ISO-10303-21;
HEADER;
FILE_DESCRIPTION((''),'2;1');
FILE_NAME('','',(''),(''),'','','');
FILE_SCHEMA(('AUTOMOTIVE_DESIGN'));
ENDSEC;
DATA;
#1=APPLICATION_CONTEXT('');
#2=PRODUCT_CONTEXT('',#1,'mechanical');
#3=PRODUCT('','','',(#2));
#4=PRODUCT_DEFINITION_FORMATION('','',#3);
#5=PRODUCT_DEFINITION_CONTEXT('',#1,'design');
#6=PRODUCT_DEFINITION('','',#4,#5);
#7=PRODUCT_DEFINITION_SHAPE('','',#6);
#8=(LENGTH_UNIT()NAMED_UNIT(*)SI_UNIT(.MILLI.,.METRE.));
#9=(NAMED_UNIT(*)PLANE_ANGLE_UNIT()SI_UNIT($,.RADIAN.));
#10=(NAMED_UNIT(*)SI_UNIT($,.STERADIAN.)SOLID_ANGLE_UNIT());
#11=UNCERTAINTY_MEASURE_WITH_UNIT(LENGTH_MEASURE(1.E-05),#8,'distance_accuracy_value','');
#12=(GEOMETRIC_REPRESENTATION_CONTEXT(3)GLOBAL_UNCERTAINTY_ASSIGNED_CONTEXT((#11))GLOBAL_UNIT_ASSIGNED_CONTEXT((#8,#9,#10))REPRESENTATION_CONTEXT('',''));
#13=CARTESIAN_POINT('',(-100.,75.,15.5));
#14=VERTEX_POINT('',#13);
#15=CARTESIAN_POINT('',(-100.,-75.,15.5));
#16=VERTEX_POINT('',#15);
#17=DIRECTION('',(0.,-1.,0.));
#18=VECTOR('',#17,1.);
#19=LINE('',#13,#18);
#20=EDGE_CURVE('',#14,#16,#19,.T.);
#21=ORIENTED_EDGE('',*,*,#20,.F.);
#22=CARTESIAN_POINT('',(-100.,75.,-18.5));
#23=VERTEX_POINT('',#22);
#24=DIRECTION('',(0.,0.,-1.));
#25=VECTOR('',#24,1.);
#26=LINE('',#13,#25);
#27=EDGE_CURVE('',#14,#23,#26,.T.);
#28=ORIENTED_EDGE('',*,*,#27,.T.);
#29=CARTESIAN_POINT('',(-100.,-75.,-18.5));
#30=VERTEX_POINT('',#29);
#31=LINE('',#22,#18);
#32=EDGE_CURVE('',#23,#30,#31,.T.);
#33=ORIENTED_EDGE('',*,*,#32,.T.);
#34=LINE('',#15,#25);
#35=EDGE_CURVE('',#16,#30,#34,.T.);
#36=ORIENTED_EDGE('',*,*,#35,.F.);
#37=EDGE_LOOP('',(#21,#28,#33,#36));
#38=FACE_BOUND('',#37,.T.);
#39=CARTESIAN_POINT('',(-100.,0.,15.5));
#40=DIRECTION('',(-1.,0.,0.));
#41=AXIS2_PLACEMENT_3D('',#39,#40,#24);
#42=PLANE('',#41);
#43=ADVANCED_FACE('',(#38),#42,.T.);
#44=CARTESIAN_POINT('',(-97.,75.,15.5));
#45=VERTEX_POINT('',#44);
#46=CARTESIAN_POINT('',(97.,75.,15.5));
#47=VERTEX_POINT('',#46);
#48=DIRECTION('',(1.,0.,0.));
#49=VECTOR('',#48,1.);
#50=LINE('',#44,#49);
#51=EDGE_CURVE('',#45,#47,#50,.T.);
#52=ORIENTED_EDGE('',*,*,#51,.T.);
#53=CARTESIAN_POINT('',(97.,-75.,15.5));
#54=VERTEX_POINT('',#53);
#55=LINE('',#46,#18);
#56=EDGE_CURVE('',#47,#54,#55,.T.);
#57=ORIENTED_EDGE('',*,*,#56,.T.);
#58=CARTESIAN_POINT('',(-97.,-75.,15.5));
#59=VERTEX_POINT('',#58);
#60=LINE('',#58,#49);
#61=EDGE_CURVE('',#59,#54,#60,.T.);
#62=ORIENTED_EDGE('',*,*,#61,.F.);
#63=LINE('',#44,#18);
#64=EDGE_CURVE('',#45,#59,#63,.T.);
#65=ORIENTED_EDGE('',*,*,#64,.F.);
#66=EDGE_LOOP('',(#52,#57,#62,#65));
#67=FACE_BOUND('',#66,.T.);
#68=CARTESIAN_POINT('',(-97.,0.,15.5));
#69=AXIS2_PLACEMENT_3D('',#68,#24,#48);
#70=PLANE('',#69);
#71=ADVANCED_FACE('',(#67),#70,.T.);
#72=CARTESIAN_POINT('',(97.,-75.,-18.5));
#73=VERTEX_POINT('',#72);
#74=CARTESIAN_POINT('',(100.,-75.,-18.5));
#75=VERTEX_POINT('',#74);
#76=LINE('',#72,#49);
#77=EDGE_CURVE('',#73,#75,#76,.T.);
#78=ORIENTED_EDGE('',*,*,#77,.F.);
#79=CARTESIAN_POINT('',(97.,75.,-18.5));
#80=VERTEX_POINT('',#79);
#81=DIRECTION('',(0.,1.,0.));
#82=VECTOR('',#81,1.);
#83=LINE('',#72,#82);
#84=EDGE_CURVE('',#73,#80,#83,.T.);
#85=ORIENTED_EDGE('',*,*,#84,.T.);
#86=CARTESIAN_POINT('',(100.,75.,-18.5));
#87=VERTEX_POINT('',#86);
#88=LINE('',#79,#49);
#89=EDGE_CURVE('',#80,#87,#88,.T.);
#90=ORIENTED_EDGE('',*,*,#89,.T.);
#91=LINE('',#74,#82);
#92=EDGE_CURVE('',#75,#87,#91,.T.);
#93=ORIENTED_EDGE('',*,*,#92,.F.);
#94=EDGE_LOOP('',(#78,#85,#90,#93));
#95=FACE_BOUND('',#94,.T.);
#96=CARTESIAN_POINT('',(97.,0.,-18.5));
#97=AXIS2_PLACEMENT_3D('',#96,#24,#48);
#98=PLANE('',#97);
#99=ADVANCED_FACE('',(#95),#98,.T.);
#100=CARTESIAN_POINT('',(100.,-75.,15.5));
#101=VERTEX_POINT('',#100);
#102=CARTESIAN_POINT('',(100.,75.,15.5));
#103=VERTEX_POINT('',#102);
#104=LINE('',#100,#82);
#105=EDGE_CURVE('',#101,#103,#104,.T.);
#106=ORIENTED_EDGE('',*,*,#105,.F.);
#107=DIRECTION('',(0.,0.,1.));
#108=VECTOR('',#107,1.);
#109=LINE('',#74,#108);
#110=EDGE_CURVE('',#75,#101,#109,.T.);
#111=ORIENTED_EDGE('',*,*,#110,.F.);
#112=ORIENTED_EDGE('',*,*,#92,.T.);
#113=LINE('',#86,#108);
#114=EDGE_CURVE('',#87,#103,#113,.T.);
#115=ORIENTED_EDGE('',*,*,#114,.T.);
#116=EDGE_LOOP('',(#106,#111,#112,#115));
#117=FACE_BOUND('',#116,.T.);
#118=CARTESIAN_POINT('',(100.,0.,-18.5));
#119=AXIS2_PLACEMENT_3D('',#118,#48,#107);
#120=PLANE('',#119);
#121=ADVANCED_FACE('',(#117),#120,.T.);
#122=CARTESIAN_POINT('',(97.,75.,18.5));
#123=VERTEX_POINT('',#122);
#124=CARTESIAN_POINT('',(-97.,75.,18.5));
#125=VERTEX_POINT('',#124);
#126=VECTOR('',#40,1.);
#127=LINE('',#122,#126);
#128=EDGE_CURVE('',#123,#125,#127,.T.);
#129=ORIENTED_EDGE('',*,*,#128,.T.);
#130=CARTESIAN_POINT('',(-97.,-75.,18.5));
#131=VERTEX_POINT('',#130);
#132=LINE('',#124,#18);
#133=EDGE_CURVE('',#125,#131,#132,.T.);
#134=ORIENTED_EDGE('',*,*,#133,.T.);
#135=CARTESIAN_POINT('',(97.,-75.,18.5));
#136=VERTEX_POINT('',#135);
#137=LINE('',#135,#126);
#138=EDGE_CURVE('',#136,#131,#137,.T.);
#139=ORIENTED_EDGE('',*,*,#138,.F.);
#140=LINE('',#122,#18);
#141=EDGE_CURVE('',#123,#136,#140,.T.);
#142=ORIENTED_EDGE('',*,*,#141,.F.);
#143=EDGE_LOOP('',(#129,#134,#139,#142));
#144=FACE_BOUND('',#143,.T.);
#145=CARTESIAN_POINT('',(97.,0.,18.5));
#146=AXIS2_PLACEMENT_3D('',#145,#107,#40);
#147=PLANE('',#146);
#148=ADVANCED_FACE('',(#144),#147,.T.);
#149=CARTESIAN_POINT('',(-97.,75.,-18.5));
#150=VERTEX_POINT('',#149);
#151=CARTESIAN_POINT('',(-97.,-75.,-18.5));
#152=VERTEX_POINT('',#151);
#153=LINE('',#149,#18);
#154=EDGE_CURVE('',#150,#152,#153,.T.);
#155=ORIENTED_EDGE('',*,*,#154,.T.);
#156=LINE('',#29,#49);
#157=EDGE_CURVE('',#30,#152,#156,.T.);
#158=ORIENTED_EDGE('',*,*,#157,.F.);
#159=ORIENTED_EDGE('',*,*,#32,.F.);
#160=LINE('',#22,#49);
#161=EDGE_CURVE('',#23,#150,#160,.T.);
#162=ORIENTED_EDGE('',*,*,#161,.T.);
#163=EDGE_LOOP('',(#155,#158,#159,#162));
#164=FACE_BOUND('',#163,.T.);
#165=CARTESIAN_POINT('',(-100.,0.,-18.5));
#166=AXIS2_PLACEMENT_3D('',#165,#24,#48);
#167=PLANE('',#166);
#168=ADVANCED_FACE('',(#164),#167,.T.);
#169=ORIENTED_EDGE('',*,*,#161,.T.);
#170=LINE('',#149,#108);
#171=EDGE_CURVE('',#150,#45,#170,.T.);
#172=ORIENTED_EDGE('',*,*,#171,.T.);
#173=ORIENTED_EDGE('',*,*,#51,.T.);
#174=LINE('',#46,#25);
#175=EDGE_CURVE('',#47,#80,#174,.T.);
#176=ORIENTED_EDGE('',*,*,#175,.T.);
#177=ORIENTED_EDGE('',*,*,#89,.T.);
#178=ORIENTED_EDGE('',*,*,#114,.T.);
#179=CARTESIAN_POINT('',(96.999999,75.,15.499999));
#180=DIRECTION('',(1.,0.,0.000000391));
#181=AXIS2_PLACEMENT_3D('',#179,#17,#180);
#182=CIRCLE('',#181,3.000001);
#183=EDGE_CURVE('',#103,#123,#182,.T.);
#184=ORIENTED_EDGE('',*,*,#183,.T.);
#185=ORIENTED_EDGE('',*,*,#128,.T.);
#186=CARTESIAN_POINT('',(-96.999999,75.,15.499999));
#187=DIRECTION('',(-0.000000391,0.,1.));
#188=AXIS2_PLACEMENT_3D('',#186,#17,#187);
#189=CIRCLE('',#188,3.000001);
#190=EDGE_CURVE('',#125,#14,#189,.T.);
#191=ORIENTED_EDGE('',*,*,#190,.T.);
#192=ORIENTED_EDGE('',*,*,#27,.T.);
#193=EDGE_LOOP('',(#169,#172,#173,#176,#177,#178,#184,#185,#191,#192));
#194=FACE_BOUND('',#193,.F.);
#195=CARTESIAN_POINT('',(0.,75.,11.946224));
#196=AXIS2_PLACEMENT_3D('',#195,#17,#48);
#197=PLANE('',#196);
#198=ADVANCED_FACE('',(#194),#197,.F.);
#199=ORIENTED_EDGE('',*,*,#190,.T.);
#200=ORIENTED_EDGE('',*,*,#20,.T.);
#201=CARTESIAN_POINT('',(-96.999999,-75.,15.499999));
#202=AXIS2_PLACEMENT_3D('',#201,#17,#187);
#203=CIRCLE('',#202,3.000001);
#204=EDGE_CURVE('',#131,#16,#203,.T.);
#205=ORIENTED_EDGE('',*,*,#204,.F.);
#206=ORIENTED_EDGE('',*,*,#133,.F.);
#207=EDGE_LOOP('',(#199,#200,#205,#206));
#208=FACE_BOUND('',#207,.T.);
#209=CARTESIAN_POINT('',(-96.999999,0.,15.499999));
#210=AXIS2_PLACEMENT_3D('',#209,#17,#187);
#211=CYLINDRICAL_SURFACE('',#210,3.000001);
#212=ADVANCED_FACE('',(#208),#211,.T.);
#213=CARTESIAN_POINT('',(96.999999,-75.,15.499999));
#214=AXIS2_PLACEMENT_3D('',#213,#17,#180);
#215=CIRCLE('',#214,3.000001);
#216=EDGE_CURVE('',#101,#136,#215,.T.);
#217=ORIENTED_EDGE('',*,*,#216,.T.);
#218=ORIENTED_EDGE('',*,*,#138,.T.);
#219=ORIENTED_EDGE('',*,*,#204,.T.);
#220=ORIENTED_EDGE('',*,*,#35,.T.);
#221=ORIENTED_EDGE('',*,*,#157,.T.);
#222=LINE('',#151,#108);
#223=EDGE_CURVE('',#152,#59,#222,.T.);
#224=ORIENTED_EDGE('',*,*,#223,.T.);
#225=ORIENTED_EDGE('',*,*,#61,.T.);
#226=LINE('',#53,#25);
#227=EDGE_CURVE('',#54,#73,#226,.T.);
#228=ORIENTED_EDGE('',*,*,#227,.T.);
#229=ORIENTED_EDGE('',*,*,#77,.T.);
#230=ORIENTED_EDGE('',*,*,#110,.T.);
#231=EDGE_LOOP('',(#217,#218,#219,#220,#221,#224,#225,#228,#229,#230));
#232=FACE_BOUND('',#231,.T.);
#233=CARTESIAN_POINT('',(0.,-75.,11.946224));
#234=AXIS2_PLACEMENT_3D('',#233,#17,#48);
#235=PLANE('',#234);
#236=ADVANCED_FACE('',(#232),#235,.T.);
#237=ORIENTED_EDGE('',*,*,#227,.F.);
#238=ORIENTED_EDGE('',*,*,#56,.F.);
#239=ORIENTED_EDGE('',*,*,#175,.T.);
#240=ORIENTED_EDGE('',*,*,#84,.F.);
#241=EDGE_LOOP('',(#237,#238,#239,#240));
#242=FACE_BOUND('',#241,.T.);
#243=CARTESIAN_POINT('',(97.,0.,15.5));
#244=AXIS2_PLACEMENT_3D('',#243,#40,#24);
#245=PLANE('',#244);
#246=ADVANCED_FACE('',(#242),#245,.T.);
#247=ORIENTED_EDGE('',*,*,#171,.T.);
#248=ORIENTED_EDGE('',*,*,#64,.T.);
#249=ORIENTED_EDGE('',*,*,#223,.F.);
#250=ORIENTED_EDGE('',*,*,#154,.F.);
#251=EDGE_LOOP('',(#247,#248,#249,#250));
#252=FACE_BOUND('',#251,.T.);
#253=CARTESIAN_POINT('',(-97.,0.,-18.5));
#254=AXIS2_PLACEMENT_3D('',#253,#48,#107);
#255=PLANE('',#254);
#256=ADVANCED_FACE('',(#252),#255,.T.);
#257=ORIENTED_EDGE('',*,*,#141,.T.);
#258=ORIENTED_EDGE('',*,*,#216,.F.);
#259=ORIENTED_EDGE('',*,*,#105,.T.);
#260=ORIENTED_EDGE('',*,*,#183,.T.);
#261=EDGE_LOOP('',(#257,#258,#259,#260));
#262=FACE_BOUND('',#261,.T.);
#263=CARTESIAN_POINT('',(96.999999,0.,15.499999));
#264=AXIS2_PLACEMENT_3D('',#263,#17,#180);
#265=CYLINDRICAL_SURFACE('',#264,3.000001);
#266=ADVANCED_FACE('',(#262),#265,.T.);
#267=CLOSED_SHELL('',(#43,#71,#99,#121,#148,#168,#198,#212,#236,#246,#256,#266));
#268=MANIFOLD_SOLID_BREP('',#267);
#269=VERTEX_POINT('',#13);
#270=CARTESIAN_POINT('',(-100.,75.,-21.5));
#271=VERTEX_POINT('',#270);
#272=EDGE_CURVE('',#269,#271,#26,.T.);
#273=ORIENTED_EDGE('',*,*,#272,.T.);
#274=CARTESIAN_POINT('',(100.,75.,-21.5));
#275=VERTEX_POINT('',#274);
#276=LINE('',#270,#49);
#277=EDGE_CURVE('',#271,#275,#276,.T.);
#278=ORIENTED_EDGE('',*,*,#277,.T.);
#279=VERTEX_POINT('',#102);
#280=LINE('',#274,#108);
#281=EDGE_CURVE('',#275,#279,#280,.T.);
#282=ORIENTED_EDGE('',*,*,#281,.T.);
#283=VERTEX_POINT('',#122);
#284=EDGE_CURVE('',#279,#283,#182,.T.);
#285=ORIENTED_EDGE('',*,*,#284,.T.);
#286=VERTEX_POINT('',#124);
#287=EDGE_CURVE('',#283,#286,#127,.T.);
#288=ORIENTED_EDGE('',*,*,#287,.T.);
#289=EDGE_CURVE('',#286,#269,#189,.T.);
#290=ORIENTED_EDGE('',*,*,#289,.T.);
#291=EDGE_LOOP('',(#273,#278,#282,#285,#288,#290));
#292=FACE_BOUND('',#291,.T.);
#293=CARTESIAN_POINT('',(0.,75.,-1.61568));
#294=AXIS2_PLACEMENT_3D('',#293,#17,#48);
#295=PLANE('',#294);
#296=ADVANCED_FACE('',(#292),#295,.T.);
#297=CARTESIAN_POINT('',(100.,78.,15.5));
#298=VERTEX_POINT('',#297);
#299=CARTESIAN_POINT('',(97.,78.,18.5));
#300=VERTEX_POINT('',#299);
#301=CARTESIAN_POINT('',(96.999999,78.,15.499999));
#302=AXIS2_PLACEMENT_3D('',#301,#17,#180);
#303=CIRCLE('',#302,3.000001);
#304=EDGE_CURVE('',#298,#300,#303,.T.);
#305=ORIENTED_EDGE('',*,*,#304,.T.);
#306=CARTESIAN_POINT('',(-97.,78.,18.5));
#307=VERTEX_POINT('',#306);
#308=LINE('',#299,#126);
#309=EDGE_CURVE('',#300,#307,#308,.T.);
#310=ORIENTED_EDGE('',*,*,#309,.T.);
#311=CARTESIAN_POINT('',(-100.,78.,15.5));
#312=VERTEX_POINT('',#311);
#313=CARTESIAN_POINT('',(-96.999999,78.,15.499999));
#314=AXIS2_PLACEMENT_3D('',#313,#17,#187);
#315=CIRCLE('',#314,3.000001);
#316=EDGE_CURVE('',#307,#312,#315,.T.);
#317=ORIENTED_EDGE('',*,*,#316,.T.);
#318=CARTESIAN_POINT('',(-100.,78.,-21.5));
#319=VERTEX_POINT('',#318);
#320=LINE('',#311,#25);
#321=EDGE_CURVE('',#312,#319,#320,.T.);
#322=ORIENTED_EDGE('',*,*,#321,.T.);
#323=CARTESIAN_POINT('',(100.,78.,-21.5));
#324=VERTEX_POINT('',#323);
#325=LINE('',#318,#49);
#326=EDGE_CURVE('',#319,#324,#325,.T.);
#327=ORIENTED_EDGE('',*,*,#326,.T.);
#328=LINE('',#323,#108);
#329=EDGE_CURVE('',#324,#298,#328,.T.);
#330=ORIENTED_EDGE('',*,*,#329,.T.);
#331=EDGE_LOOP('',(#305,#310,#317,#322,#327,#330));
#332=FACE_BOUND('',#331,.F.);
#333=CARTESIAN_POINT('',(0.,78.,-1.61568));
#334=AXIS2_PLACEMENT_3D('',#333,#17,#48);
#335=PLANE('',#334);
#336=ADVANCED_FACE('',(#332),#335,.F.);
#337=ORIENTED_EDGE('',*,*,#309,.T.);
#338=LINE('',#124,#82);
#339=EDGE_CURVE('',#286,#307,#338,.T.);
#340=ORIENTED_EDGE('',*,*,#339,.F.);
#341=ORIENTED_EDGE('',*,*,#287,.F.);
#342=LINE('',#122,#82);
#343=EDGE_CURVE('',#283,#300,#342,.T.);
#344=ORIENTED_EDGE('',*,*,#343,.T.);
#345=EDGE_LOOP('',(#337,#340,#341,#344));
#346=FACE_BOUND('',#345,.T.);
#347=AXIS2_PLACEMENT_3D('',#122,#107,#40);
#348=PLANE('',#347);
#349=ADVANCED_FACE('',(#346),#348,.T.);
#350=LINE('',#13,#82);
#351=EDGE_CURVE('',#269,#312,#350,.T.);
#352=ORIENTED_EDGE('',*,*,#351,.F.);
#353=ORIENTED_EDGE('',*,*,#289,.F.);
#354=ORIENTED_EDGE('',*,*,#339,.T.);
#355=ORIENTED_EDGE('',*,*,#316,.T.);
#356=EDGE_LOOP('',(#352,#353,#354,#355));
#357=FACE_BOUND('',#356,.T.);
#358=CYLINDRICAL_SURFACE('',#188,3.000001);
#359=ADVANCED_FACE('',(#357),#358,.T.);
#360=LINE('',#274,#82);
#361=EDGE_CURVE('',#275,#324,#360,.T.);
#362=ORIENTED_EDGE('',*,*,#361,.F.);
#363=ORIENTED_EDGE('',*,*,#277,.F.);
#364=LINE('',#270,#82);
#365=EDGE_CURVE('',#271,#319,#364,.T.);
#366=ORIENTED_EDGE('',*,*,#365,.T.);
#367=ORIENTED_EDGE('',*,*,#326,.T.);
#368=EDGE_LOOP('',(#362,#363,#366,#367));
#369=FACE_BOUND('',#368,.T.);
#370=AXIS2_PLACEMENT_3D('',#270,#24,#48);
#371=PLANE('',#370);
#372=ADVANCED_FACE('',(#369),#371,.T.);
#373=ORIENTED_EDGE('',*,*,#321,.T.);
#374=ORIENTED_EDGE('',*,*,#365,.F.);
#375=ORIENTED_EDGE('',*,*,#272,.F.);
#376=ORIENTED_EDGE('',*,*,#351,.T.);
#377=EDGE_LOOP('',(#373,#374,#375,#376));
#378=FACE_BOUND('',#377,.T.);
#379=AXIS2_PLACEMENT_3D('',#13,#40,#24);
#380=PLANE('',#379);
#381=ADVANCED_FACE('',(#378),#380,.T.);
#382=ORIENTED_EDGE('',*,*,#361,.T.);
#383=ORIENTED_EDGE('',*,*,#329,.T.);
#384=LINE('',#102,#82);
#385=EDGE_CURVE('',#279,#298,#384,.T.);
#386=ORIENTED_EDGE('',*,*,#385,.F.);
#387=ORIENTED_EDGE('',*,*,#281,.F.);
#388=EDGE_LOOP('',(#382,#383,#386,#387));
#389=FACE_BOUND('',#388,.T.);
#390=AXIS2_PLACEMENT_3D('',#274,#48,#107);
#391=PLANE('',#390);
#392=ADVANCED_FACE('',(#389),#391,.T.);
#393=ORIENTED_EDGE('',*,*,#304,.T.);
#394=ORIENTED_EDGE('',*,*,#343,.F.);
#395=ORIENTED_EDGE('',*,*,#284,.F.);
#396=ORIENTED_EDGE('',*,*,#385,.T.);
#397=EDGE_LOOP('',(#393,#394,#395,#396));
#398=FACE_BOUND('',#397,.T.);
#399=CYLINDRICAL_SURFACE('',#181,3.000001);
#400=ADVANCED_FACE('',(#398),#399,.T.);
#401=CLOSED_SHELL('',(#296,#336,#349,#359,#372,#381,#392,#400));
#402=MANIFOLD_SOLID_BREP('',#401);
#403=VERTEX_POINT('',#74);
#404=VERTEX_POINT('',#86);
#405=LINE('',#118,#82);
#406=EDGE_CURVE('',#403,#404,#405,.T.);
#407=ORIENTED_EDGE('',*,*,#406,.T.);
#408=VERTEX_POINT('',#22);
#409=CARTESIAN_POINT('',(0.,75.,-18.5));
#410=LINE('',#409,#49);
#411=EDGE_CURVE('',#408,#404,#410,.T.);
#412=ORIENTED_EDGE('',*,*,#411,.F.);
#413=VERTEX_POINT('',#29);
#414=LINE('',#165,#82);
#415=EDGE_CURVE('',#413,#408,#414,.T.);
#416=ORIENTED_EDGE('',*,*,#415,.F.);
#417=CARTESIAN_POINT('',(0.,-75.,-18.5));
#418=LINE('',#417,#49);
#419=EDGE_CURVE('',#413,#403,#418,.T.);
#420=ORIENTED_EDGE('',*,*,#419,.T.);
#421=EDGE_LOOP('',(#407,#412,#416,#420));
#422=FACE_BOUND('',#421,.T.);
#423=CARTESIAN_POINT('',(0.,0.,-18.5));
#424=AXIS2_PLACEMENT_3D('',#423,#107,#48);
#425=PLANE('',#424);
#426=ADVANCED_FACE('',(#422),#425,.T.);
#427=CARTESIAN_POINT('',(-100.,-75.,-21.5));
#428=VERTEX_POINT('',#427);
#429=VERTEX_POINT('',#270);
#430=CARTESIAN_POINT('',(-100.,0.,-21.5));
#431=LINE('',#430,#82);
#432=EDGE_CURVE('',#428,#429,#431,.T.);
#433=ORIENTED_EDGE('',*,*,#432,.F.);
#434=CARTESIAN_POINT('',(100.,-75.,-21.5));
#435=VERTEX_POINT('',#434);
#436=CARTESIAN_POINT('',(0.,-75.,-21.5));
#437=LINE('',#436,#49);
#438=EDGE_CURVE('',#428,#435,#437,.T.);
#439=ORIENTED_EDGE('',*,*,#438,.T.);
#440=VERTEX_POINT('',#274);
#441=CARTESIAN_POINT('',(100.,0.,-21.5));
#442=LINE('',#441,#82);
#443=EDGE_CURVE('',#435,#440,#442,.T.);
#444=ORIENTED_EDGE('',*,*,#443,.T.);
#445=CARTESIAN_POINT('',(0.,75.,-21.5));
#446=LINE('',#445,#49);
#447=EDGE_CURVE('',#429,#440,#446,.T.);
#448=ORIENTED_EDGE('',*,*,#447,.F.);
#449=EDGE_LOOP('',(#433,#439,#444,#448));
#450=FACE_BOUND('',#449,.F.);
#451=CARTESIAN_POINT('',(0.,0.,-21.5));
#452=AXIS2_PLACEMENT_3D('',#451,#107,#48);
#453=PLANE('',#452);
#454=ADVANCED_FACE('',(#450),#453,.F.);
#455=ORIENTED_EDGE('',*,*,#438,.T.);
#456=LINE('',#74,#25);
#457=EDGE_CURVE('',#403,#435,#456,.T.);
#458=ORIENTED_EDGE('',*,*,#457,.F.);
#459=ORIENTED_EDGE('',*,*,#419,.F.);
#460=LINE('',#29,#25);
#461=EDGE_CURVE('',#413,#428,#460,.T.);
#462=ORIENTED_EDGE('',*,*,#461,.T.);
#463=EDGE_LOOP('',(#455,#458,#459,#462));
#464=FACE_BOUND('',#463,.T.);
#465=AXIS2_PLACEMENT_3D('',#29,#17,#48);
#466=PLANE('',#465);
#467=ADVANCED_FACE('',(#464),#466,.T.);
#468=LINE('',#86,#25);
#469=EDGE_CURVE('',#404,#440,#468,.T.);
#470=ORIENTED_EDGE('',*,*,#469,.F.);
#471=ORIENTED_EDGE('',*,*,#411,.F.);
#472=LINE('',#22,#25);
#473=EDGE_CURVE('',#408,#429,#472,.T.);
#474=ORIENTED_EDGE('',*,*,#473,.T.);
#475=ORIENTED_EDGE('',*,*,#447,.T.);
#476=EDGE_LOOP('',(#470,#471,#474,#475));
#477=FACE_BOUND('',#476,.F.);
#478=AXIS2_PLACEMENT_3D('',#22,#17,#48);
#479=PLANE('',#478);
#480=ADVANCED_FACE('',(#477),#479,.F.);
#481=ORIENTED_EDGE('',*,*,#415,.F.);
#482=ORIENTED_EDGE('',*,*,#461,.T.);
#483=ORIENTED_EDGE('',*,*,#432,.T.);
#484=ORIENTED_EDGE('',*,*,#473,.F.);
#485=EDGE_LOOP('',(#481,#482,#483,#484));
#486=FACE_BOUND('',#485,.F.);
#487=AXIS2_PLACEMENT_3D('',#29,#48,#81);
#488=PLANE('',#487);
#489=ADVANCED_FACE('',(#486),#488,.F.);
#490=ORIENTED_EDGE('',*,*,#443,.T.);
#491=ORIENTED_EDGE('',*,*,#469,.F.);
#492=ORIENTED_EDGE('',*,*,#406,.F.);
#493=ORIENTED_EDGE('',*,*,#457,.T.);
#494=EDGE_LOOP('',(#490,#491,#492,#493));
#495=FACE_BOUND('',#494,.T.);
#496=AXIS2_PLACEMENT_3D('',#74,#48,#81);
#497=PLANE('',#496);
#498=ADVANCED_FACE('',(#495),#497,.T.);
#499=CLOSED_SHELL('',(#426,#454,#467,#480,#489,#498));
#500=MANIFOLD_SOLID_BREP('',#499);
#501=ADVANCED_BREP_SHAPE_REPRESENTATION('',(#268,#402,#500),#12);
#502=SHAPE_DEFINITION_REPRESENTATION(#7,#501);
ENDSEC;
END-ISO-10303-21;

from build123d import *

# Parameters (mm, degrees)
F1_DEPTH      = 75
F1_DEPTH_BACK = 75
F3_W          = 200
F3_H          = 150
F4_DEPTH      = 3
F7_DEPTH      = 3


with BuildPart() as f1:
    # F0 (on Front) → F1 (new body, two sides)
    with BuildSketch(Plane.XZ) as f1_sk:
        with BuildLine():
            ThreePointArc((100, 15.5), (99.12132, 17.62132), (97, 18.5))
            Line((97, 18.5), (-97, 18.5))
            ThreePointArc((-97, 18.5), (-99.12132, 17.62132), (-100, 15.5))
            Line((-100, 15.5), (-100, -18.5))
            Line((-100, -18.5), (-97, -18.5))
            Line((-97, -18.5), (-97, 15.5))
            Line((-97, 15.5), (97, 15.5))
            Line((97, 15.5), (97, -18.5))
            Line((97, -18.5), (100, -18.5))
            Line((100, -18.5), (100, 15.5))
        make_face()
    extrude(amount=F1_DEPTH)
    extrude(f1_sk.sketch, amount=-F1_DEPTH_BACK)


with BuildPart() as f4:
    # F3 (on offset) → F4 (new body)
    with BuildSketch(Plane.XY.offset(-18.5)):
        Rectangle(F3_W, F3_H)
    extrude(amount=-F4_DEPTH)


with BuildPart() as f7:
    # F6 (on offset) → F7 (new body)
    with BuildSketch(Plane.XZ.offset(-75)):
        with BuildLine():
            ThreePointArc((100, 15.5), (99.12132, 17.62132), (97, 18.5))
            Line((97, 18.5), (-97, 18.5))
            ThreePointArc((-97, 18.5), (-99.12132, 17.62132), (-100, 15.5))
            Line((-100, 15.5), (-100, -21.5))
            Line((-100, -21.5), (100, -21.5))
            Line((100, -21.5), (100, 15.5))
        make_face()
    extrude(amount=-F7_DEPTH)


solid = Compound([f1.part, f4.part, f7.part])
